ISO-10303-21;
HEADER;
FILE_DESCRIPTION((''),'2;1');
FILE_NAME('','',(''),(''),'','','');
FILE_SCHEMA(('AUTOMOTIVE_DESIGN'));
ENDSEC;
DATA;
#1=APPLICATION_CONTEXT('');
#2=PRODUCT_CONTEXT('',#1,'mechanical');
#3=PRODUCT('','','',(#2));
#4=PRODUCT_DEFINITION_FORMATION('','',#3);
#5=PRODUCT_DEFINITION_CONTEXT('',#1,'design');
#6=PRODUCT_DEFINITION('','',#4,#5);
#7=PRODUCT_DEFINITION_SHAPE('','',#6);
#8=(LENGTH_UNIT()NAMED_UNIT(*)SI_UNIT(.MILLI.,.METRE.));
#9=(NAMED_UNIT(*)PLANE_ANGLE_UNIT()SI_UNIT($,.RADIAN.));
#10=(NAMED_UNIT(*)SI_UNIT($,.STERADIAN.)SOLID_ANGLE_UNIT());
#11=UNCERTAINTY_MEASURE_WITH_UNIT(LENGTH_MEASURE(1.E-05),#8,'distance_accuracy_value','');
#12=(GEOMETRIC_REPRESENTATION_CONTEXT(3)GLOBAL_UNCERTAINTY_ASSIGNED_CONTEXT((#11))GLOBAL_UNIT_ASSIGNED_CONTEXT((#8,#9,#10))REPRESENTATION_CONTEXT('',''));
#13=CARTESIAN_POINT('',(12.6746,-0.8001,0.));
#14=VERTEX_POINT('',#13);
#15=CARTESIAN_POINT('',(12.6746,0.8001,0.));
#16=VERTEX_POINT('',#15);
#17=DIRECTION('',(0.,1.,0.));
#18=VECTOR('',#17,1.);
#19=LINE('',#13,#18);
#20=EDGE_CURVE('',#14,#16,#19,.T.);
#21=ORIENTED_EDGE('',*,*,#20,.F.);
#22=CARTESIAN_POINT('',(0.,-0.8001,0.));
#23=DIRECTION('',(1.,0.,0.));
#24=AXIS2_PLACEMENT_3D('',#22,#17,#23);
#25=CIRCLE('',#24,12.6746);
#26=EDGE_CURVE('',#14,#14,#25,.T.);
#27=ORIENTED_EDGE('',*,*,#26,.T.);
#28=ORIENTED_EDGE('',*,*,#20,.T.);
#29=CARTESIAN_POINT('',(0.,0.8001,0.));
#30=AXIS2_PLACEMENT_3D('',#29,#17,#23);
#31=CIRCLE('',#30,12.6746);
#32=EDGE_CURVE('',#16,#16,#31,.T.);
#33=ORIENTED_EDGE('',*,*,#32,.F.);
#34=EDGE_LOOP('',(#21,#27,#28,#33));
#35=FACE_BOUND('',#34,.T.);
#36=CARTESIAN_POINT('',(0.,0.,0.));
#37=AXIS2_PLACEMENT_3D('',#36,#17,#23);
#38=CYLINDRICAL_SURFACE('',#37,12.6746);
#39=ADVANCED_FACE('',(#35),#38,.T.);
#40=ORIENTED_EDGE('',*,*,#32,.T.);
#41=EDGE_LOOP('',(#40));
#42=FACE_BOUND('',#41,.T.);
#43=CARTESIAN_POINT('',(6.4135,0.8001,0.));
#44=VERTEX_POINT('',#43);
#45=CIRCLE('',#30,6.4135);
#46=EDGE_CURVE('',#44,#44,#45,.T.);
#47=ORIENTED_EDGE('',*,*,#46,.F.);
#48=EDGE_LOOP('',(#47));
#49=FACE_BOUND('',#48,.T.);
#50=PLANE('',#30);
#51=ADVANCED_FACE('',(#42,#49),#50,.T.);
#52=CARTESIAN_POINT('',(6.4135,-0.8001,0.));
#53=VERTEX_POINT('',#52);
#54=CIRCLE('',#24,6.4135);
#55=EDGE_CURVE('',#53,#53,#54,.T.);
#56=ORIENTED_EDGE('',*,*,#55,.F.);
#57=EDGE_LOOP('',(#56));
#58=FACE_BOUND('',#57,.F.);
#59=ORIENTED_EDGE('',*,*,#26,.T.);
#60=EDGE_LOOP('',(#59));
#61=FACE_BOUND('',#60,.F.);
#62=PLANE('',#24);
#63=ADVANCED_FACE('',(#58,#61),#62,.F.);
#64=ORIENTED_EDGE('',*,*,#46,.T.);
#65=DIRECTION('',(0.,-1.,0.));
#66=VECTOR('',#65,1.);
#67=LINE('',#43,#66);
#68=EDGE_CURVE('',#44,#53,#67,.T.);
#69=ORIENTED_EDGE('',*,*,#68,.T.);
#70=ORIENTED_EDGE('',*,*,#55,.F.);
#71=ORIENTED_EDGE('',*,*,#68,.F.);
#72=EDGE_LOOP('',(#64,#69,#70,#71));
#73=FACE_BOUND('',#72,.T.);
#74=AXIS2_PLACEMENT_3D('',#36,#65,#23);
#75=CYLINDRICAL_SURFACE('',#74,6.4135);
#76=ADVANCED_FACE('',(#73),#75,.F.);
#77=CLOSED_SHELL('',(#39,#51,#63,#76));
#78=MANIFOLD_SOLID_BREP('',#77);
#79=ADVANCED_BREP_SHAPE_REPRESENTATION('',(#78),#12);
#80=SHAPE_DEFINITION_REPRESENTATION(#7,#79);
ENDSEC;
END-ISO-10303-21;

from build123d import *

# Parameters (mm, degrees)
SKETCH1_R           = 12.6746
SKETCH1_R_2         = 6.4135
BOSS_EXTRUDE1_DEPTH = 0.8001


with BuildPart() as part:
    # Sketch1 → Boss-Extrude1 (new body, symmetric)
    with BuildSketch(Plane(origin=(0, 0, 0), x_dir=(1, 0, 0), z_dir=(0, 1, 0))):
        Circle(SKETCH1_R)
        Circle(SKETCH1_R_2, mode=Mode.SUBTRACT)
    extrude(amount=BOSS_EXTRUDE1_DEPTH, both=True)


solid = part.part
